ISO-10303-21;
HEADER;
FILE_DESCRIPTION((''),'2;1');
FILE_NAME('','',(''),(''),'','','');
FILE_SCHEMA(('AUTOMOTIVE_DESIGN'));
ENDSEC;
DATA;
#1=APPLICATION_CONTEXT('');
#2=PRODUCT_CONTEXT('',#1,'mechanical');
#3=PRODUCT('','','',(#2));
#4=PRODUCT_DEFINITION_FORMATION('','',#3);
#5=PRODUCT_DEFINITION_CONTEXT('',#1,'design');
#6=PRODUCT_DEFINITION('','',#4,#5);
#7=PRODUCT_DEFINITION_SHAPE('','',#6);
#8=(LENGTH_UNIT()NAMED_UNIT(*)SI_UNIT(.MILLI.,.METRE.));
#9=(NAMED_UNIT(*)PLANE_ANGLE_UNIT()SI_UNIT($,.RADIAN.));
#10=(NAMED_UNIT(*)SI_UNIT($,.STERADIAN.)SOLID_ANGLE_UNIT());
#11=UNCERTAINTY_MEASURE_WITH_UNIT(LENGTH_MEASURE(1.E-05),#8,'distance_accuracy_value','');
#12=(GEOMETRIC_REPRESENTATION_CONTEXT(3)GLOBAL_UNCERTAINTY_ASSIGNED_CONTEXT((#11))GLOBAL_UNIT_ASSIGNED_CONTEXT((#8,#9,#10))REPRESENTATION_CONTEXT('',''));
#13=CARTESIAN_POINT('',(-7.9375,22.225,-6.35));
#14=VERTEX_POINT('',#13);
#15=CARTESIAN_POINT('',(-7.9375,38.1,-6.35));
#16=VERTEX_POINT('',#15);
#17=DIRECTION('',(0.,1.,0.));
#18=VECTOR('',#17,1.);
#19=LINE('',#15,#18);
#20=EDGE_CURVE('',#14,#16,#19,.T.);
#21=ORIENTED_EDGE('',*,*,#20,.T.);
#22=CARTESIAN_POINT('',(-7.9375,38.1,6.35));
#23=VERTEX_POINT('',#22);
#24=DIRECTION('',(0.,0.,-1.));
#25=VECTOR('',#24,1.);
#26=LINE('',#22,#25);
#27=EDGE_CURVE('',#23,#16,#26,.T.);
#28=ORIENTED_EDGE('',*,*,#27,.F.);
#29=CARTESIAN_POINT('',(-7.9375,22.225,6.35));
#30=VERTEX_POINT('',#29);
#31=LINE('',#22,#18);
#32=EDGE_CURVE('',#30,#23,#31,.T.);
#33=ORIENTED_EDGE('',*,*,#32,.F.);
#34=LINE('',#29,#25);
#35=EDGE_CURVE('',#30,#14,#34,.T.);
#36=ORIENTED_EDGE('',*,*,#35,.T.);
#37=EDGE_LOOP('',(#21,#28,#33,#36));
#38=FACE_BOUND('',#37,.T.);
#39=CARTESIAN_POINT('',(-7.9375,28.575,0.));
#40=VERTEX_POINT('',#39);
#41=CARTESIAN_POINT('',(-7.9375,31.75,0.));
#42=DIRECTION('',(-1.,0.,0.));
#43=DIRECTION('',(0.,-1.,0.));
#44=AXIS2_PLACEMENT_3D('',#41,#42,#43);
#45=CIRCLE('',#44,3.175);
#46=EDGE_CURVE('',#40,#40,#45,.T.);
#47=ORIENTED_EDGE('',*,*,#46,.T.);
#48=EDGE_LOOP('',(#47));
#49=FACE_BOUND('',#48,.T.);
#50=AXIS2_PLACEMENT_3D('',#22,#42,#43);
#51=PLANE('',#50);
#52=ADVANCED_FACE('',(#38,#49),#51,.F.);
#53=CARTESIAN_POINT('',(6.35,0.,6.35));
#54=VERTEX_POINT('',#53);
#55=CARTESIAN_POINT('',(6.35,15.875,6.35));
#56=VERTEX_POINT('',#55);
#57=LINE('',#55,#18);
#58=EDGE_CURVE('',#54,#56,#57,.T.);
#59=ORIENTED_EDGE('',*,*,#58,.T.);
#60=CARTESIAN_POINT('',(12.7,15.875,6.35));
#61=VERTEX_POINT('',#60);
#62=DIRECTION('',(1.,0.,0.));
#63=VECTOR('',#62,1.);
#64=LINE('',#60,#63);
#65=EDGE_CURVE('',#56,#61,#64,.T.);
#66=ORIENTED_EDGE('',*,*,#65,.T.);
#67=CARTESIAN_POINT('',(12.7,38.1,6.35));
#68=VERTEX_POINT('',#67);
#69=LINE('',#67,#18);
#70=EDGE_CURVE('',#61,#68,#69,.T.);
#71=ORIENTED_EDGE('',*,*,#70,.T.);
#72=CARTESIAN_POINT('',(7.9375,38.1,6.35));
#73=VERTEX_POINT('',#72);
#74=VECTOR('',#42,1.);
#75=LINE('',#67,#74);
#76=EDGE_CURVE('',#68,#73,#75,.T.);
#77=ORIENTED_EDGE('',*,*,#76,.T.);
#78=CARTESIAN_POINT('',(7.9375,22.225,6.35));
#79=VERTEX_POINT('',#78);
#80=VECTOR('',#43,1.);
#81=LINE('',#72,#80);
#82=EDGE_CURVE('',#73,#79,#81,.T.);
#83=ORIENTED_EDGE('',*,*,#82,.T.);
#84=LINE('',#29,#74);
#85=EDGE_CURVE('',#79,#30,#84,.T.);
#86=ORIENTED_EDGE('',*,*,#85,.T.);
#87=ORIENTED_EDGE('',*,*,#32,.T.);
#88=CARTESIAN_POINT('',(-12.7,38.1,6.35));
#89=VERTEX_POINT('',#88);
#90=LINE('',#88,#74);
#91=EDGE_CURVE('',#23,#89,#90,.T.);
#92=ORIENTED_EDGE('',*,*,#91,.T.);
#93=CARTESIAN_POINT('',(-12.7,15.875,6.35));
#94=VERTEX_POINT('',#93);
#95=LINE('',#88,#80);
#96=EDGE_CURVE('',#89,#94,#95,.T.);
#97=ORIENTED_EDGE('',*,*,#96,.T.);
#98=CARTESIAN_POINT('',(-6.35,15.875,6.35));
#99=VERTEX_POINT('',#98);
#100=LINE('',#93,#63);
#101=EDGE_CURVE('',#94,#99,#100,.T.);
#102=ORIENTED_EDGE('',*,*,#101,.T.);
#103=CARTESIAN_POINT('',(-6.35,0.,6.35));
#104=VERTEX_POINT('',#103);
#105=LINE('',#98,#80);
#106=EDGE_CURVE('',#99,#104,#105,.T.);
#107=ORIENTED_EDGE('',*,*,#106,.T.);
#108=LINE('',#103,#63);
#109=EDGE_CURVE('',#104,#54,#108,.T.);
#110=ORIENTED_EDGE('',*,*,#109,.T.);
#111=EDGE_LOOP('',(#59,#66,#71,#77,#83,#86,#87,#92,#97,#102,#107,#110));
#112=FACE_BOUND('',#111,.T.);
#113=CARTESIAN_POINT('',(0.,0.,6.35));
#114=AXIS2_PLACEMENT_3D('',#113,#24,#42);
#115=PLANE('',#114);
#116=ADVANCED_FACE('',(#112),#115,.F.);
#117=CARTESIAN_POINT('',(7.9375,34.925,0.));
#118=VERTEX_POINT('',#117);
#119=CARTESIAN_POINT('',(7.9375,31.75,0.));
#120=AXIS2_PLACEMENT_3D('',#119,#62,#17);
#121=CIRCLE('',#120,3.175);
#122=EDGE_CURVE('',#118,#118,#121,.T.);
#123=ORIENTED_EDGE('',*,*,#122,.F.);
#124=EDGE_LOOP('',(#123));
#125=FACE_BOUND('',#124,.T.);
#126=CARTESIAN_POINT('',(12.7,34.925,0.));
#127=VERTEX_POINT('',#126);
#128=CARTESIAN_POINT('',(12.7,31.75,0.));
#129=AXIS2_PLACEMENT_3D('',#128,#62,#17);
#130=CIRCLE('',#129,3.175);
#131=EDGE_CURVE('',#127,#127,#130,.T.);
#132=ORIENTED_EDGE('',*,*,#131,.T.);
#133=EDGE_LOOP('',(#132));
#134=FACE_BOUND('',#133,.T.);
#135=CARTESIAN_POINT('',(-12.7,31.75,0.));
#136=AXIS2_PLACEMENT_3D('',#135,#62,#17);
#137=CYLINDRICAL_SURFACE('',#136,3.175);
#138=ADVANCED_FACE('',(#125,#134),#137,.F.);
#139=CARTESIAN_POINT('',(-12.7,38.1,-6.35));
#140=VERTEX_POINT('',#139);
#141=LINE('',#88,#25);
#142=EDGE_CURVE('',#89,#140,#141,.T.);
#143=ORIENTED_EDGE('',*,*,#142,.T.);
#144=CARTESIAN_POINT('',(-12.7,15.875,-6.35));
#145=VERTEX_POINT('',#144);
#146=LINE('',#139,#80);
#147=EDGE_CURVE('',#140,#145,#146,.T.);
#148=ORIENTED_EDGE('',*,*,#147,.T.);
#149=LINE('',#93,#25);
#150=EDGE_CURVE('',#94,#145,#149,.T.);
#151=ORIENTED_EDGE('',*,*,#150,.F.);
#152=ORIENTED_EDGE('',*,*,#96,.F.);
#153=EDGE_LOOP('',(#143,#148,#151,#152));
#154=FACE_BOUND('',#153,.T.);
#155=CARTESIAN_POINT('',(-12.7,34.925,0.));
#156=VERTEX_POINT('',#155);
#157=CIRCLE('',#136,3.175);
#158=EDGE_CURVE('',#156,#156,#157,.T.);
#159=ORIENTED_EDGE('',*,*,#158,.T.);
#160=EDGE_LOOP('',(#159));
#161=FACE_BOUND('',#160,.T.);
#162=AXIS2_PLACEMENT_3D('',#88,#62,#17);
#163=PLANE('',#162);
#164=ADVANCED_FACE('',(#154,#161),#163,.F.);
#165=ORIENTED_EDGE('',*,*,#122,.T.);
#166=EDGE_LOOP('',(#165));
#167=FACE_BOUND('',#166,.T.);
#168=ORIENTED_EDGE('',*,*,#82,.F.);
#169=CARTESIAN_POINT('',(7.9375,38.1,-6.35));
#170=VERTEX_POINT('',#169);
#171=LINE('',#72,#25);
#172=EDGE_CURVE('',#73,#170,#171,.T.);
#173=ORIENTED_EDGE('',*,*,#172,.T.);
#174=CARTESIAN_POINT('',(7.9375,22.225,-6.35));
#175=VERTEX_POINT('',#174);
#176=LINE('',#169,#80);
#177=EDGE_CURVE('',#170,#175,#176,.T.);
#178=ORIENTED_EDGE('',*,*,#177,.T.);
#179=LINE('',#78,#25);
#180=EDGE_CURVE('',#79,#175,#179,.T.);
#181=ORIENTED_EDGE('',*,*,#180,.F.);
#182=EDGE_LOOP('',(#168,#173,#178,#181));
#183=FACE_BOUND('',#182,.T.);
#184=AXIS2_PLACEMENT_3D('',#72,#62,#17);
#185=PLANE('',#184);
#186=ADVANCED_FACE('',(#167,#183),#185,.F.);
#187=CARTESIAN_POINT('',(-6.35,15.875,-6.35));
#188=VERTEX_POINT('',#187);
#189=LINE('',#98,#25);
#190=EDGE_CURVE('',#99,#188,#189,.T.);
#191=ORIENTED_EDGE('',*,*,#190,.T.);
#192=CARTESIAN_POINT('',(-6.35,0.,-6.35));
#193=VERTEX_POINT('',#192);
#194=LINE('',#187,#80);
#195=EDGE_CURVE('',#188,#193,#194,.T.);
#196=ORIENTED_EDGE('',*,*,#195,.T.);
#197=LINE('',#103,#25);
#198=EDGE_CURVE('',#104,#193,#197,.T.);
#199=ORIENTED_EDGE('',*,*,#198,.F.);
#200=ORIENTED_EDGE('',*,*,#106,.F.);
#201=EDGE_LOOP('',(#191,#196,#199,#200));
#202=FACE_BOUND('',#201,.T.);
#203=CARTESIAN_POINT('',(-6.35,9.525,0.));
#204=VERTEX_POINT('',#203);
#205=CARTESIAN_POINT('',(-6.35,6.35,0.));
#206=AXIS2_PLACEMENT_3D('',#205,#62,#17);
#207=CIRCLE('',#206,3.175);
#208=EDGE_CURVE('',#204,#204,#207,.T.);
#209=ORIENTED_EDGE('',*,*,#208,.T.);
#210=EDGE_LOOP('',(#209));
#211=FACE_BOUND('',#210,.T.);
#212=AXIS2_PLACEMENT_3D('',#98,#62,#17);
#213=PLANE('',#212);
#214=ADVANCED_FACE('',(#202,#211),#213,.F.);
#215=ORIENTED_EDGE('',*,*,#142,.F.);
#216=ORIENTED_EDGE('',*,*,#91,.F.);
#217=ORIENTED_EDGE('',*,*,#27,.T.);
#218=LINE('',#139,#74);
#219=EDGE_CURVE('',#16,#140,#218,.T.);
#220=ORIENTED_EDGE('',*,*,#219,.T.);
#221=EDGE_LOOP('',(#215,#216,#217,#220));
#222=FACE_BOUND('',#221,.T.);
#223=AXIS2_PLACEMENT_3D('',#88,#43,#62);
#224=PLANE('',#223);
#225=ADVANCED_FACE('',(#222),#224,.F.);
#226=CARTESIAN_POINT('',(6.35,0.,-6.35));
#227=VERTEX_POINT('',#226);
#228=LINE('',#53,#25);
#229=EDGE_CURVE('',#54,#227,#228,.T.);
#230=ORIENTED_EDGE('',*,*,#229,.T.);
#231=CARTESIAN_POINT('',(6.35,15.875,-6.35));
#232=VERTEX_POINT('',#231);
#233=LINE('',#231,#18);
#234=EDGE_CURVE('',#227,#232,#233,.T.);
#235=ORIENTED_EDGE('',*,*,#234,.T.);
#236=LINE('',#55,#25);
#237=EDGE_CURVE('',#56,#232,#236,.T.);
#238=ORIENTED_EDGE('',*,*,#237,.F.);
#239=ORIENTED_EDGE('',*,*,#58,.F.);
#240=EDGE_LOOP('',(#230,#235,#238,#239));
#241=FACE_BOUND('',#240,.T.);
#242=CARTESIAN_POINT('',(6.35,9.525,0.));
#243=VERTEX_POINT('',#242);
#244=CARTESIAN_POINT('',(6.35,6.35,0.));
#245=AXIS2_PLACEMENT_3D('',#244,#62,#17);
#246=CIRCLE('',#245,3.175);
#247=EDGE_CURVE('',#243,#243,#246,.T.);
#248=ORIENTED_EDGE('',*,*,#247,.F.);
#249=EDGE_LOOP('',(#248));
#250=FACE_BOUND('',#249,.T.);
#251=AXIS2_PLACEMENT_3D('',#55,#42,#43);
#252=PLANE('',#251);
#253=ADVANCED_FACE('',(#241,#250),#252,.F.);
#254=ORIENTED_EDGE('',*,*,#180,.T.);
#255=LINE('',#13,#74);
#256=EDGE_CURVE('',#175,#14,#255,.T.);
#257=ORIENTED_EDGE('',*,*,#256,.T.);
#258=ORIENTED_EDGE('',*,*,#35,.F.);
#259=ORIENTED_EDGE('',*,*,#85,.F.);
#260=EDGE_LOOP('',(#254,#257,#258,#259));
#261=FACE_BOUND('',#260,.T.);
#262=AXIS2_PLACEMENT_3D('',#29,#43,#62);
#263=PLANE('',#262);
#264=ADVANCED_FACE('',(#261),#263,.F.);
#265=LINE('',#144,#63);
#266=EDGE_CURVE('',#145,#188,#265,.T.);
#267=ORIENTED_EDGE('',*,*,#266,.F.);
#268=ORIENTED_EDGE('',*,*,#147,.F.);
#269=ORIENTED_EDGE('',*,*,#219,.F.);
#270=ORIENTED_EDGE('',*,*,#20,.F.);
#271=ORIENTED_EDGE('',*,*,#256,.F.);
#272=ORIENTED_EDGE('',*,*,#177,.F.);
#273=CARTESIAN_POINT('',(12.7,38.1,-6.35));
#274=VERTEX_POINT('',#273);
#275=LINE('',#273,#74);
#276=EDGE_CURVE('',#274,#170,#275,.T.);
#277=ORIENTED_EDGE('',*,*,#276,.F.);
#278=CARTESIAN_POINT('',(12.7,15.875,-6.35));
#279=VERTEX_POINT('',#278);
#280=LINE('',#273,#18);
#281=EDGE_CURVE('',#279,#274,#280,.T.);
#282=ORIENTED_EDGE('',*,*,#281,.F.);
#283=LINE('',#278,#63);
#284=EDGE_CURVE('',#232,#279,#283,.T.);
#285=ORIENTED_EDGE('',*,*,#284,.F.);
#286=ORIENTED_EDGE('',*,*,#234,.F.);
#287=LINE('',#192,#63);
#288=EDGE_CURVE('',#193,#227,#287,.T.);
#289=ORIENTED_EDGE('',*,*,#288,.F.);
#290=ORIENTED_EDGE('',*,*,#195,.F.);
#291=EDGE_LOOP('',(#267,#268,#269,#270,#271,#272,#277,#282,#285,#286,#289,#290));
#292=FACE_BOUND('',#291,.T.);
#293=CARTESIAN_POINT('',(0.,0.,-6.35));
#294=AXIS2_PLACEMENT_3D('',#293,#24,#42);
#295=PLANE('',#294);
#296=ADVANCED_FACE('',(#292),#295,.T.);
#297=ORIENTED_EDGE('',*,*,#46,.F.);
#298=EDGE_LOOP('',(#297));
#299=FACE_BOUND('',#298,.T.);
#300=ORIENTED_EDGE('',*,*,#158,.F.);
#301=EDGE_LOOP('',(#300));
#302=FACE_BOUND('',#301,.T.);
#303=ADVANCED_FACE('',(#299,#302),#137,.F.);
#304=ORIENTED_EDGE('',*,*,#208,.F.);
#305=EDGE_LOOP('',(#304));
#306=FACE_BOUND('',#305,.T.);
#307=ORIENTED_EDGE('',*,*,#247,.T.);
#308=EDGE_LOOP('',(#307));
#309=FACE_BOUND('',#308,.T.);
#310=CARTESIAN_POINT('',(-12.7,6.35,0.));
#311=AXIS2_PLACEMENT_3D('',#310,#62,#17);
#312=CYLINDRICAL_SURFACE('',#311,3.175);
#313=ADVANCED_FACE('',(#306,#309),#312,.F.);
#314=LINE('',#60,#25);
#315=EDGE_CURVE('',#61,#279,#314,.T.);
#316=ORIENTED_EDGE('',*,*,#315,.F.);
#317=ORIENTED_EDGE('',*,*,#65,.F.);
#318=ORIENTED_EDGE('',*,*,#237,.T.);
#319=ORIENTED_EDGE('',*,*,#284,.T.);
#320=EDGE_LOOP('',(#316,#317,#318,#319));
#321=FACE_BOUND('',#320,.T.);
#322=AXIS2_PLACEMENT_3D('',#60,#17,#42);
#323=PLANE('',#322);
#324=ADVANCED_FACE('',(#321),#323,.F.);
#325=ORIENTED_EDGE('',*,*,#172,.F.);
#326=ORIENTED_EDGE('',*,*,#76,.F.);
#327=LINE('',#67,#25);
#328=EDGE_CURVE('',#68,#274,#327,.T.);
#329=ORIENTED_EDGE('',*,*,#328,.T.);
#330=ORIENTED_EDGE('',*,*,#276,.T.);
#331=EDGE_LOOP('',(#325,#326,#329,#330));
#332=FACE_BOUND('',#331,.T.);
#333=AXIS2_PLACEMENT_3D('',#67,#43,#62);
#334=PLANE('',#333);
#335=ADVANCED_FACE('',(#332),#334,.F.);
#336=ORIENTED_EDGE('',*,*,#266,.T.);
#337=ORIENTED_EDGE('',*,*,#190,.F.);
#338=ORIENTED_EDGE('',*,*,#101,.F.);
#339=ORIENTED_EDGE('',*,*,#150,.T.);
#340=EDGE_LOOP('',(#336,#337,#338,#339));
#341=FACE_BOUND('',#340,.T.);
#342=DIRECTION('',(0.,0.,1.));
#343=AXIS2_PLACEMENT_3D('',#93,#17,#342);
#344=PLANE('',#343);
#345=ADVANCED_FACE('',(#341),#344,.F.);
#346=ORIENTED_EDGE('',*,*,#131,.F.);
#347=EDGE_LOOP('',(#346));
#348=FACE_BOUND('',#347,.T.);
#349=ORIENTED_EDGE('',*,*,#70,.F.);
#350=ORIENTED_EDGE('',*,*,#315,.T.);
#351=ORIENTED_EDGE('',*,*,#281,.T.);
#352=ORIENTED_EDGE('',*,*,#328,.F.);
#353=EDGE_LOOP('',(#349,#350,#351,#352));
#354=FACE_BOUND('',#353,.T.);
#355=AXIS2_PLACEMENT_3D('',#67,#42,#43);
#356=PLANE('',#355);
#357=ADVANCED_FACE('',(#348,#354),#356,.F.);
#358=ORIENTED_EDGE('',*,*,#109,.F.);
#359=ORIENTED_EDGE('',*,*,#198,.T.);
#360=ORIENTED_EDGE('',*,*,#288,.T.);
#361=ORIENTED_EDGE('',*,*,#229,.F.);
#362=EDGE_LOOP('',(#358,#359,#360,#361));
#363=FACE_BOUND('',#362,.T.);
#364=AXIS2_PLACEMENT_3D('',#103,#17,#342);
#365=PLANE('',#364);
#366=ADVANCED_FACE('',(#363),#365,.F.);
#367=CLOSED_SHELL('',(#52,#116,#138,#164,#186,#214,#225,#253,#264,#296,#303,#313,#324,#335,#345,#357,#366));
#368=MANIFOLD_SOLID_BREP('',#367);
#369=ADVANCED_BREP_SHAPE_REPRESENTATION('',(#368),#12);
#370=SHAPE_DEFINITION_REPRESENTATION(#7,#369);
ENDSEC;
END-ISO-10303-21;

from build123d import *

# Parameters (mm, degrees)
BOSS_EXTRUDE1_DEPTH = 6.35
SKETCH2_R           = 3.175
CUT_EXTRUDE1_DEPTH  = 26.4
SKETCH3_R           = 3.175
CUT_EXTRUDE2_DEPTH  = 20.05


with BuildPart() as part:
    # Sketch1 → Boss-Extrude1 (new body, symmetric)
    with BuildSketch(Plane.XY):
        Polygon((-12.7, 38.1), (-12.7, 15.875), (-6.35, 15.875), (-6.35, 0), (6.35, 0), (6.35, 15.875), (12.7, 15.875), (12.7, 38.1), (7.9375, 38.1), (7.9375, 22.225), (-7.9375, 22.225), (-7.9375, 38.1), align=None)
    extrude(amount=BOSS_EXTRUDE1_DEPTH, both=True)

    # Sketch2 → Cut-Extrude1 (cut, through all)
    with BuildSketch(Plane(origin=(12.7, 0, 0), x_dir=(0, 0, -1), z_dir=(1, 0, 0))):
        with Locations((0, 31.75)):
            Circle(SKETCH2_R)
    extrude(amount=-CUT_EXTRUDE1_DEPTH, mode=Mode.SUBTRACT)

    # Sketch3 → Cut-Extrude2 (cut, through all)
    with BuildSketch(Plane(origin=(6.35, 0, 0), x_dir=(0, 0, -1), z_dir=(1, 0, 0))):
        with Locations((0, 6.35)):
            Circle(SKETCH3_R)
    extrude(amount=-CUT_EXTRUDE2_DEPTH, mode=Mode.SUBTRACT)


solid = part.part
